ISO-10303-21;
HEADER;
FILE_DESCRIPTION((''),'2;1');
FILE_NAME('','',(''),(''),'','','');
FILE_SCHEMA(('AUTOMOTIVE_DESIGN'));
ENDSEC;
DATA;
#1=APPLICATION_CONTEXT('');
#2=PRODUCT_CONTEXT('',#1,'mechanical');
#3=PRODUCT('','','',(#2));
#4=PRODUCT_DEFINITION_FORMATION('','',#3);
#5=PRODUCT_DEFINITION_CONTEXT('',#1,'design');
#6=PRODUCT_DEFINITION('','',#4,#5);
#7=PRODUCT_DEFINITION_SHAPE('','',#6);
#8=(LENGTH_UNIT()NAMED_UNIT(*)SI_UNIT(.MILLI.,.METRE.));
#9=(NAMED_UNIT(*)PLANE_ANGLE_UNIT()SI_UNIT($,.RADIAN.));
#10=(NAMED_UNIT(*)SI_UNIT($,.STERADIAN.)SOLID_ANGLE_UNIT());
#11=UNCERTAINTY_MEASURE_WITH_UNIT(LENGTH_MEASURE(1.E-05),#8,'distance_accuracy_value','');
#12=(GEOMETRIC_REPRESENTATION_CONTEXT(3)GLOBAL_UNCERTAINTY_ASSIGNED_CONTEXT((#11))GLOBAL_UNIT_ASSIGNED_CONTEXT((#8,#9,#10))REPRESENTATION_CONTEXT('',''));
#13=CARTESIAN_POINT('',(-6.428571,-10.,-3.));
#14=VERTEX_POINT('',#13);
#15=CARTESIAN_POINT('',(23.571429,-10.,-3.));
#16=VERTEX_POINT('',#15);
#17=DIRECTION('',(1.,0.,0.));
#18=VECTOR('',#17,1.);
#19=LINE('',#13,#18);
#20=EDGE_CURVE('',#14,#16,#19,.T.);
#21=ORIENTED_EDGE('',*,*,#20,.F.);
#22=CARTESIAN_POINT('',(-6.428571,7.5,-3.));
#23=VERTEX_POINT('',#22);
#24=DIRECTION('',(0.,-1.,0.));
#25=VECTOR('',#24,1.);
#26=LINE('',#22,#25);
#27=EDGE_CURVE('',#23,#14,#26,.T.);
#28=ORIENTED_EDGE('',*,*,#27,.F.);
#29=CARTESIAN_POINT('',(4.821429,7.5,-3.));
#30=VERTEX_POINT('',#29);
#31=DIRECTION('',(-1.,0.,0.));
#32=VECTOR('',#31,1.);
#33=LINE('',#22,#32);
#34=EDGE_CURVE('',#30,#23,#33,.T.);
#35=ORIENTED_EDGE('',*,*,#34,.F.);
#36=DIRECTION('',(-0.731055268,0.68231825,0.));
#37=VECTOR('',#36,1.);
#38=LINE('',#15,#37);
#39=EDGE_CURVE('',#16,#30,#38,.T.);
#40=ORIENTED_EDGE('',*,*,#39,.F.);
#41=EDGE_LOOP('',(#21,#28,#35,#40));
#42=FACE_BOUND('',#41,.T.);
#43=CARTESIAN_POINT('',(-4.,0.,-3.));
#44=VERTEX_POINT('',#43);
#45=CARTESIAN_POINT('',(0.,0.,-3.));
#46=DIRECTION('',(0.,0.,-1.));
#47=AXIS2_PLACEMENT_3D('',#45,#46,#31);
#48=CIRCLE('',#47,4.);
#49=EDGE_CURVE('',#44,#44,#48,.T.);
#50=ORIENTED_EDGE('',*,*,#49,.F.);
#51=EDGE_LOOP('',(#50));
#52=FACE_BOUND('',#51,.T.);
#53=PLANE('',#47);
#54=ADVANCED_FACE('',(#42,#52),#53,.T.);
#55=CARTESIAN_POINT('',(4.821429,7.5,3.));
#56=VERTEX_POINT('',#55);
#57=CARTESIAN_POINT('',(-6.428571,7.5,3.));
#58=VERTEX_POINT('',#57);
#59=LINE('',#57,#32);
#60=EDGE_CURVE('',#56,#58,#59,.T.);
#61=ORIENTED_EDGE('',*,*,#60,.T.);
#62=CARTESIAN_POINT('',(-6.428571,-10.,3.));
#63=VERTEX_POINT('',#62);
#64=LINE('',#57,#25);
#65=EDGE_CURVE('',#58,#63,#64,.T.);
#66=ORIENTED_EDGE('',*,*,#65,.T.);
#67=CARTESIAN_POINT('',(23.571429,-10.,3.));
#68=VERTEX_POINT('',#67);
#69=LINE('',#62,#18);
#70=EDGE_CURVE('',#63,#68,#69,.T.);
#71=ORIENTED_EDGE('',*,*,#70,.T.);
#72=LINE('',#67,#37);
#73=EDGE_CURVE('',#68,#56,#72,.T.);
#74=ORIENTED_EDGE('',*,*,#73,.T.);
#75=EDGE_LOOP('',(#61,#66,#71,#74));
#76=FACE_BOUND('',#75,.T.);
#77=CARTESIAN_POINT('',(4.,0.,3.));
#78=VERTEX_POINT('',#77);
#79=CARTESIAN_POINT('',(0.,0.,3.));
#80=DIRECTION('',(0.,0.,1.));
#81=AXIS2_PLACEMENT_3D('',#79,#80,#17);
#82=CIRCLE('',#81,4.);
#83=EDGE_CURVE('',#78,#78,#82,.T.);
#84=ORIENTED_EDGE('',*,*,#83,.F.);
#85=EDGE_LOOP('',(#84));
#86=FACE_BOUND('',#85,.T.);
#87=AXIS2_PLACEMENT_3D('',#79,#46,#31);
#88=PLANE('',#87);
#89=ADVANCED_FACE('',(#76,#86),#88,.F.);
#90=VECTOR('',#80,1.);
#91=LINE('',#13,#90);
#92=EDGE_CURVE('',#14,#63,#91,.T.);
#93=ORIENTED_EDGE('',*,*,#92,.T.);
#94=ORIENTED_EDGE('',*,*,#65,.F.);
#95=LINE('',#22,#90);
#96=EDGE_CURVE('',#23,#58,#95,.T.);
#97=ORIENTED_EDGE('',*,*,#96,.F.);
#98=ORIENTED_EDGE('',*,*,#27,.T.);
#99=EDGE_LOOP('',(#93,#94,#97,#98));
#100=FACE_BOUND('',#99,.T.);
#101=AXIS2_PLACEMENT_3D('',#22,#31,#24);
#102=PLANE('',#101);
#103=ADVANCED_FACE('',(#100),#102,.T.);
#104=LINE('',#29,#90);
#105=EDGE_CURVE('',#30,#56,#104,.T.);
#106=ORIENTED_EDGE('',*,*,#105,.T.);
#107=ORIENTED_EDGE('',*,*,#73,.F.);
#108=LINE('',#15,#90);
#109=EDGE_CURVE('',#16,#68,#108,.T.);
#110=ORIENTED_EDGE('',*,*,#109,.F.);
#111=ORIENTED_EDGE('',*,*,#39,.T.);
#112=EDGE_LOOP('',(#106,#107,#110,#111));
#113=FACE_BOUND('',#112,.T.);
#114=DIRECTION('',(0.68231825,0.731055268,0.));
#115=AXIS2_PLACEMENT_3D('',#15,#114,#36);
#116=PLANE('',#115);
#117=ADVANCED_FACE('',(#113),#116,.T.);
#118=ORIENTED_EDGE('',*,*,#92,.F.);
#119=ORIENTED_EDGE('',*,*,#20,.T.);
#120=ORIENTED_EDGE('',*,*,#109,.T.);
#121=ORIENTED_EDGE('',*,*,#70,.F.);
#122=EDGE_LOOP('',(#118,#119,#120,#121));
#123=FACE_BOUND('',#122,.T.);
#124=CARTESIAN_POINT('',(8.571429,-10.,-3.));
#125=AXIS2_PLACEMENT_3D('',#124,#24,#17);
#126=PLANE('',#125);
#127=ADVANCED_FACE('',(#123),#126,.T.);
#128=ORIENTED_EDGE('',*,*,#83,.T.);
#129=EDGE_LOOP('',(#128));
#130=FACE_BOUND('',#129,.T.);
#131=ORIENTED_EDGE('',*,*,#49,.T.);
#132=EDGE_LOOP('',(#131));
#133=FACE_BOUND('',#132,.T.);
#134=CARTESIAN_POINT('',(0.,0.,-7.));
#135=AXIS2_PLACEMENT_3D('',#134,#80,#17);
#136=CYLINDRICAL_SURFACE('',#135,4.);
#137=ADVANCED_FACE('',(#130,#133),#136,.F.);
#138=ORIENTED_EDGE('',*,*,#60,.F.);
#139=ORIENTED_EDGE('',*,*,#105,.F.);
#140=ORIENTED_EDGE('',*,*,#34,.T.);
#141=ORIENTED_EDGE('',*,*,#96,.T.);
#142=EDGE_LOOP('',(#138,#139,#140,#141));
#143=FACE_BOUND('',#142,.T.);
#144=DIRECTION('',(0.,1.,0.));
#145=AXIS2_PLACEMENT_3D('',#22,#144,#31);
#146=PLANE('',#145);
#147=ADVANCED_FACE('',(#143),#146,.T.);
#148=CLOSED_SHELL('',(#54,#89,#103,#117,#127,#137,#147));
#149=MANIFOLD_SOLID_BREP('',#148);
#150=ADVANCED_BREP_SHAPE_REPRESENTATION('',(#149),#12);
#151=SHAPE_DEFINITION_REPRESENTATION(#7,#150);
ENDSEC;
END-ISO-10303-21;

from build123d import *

# Parameters (mm, degrees)
BOSS_EXTRUDE1_DEPTH      = 3
BOSS_EXTRUDE1_DEPTH_BACK = 3
SKETCH2_R                = 4
CUT_EXTRUDE1_DEPTH       = 10


with BuildPart() as part:
    # Sketch1 → Boss-Extrude1 (new, two sides: drawn at the far end of the back side and taken through both)
    with BuildSketch(Plane.XY.offset(-BOSS_EXTRUDE1_DEPTH_BACK)):
        Polygon((8.571428571, -10), (23.571428571, -10), (4.821428571, 7.5), (-6.428571429, 7.5), (-6.428571429, -10), align=None)
    extrude(amount=BOSS_EXTRUDE1_DEPTH + BOSS_EXTRUDE1_DEPTH_BACK)

    # Sketch2 → Cut-Extrude1 (cut)
    with BuildSketch(Plane.XY.offset(3)):
        Circle(SKETCH2_R)
    extrude(amount=-CUT_EXTRUDE1_DEPTH, mode=Mode.SUBTRACT)


solid = part.part
